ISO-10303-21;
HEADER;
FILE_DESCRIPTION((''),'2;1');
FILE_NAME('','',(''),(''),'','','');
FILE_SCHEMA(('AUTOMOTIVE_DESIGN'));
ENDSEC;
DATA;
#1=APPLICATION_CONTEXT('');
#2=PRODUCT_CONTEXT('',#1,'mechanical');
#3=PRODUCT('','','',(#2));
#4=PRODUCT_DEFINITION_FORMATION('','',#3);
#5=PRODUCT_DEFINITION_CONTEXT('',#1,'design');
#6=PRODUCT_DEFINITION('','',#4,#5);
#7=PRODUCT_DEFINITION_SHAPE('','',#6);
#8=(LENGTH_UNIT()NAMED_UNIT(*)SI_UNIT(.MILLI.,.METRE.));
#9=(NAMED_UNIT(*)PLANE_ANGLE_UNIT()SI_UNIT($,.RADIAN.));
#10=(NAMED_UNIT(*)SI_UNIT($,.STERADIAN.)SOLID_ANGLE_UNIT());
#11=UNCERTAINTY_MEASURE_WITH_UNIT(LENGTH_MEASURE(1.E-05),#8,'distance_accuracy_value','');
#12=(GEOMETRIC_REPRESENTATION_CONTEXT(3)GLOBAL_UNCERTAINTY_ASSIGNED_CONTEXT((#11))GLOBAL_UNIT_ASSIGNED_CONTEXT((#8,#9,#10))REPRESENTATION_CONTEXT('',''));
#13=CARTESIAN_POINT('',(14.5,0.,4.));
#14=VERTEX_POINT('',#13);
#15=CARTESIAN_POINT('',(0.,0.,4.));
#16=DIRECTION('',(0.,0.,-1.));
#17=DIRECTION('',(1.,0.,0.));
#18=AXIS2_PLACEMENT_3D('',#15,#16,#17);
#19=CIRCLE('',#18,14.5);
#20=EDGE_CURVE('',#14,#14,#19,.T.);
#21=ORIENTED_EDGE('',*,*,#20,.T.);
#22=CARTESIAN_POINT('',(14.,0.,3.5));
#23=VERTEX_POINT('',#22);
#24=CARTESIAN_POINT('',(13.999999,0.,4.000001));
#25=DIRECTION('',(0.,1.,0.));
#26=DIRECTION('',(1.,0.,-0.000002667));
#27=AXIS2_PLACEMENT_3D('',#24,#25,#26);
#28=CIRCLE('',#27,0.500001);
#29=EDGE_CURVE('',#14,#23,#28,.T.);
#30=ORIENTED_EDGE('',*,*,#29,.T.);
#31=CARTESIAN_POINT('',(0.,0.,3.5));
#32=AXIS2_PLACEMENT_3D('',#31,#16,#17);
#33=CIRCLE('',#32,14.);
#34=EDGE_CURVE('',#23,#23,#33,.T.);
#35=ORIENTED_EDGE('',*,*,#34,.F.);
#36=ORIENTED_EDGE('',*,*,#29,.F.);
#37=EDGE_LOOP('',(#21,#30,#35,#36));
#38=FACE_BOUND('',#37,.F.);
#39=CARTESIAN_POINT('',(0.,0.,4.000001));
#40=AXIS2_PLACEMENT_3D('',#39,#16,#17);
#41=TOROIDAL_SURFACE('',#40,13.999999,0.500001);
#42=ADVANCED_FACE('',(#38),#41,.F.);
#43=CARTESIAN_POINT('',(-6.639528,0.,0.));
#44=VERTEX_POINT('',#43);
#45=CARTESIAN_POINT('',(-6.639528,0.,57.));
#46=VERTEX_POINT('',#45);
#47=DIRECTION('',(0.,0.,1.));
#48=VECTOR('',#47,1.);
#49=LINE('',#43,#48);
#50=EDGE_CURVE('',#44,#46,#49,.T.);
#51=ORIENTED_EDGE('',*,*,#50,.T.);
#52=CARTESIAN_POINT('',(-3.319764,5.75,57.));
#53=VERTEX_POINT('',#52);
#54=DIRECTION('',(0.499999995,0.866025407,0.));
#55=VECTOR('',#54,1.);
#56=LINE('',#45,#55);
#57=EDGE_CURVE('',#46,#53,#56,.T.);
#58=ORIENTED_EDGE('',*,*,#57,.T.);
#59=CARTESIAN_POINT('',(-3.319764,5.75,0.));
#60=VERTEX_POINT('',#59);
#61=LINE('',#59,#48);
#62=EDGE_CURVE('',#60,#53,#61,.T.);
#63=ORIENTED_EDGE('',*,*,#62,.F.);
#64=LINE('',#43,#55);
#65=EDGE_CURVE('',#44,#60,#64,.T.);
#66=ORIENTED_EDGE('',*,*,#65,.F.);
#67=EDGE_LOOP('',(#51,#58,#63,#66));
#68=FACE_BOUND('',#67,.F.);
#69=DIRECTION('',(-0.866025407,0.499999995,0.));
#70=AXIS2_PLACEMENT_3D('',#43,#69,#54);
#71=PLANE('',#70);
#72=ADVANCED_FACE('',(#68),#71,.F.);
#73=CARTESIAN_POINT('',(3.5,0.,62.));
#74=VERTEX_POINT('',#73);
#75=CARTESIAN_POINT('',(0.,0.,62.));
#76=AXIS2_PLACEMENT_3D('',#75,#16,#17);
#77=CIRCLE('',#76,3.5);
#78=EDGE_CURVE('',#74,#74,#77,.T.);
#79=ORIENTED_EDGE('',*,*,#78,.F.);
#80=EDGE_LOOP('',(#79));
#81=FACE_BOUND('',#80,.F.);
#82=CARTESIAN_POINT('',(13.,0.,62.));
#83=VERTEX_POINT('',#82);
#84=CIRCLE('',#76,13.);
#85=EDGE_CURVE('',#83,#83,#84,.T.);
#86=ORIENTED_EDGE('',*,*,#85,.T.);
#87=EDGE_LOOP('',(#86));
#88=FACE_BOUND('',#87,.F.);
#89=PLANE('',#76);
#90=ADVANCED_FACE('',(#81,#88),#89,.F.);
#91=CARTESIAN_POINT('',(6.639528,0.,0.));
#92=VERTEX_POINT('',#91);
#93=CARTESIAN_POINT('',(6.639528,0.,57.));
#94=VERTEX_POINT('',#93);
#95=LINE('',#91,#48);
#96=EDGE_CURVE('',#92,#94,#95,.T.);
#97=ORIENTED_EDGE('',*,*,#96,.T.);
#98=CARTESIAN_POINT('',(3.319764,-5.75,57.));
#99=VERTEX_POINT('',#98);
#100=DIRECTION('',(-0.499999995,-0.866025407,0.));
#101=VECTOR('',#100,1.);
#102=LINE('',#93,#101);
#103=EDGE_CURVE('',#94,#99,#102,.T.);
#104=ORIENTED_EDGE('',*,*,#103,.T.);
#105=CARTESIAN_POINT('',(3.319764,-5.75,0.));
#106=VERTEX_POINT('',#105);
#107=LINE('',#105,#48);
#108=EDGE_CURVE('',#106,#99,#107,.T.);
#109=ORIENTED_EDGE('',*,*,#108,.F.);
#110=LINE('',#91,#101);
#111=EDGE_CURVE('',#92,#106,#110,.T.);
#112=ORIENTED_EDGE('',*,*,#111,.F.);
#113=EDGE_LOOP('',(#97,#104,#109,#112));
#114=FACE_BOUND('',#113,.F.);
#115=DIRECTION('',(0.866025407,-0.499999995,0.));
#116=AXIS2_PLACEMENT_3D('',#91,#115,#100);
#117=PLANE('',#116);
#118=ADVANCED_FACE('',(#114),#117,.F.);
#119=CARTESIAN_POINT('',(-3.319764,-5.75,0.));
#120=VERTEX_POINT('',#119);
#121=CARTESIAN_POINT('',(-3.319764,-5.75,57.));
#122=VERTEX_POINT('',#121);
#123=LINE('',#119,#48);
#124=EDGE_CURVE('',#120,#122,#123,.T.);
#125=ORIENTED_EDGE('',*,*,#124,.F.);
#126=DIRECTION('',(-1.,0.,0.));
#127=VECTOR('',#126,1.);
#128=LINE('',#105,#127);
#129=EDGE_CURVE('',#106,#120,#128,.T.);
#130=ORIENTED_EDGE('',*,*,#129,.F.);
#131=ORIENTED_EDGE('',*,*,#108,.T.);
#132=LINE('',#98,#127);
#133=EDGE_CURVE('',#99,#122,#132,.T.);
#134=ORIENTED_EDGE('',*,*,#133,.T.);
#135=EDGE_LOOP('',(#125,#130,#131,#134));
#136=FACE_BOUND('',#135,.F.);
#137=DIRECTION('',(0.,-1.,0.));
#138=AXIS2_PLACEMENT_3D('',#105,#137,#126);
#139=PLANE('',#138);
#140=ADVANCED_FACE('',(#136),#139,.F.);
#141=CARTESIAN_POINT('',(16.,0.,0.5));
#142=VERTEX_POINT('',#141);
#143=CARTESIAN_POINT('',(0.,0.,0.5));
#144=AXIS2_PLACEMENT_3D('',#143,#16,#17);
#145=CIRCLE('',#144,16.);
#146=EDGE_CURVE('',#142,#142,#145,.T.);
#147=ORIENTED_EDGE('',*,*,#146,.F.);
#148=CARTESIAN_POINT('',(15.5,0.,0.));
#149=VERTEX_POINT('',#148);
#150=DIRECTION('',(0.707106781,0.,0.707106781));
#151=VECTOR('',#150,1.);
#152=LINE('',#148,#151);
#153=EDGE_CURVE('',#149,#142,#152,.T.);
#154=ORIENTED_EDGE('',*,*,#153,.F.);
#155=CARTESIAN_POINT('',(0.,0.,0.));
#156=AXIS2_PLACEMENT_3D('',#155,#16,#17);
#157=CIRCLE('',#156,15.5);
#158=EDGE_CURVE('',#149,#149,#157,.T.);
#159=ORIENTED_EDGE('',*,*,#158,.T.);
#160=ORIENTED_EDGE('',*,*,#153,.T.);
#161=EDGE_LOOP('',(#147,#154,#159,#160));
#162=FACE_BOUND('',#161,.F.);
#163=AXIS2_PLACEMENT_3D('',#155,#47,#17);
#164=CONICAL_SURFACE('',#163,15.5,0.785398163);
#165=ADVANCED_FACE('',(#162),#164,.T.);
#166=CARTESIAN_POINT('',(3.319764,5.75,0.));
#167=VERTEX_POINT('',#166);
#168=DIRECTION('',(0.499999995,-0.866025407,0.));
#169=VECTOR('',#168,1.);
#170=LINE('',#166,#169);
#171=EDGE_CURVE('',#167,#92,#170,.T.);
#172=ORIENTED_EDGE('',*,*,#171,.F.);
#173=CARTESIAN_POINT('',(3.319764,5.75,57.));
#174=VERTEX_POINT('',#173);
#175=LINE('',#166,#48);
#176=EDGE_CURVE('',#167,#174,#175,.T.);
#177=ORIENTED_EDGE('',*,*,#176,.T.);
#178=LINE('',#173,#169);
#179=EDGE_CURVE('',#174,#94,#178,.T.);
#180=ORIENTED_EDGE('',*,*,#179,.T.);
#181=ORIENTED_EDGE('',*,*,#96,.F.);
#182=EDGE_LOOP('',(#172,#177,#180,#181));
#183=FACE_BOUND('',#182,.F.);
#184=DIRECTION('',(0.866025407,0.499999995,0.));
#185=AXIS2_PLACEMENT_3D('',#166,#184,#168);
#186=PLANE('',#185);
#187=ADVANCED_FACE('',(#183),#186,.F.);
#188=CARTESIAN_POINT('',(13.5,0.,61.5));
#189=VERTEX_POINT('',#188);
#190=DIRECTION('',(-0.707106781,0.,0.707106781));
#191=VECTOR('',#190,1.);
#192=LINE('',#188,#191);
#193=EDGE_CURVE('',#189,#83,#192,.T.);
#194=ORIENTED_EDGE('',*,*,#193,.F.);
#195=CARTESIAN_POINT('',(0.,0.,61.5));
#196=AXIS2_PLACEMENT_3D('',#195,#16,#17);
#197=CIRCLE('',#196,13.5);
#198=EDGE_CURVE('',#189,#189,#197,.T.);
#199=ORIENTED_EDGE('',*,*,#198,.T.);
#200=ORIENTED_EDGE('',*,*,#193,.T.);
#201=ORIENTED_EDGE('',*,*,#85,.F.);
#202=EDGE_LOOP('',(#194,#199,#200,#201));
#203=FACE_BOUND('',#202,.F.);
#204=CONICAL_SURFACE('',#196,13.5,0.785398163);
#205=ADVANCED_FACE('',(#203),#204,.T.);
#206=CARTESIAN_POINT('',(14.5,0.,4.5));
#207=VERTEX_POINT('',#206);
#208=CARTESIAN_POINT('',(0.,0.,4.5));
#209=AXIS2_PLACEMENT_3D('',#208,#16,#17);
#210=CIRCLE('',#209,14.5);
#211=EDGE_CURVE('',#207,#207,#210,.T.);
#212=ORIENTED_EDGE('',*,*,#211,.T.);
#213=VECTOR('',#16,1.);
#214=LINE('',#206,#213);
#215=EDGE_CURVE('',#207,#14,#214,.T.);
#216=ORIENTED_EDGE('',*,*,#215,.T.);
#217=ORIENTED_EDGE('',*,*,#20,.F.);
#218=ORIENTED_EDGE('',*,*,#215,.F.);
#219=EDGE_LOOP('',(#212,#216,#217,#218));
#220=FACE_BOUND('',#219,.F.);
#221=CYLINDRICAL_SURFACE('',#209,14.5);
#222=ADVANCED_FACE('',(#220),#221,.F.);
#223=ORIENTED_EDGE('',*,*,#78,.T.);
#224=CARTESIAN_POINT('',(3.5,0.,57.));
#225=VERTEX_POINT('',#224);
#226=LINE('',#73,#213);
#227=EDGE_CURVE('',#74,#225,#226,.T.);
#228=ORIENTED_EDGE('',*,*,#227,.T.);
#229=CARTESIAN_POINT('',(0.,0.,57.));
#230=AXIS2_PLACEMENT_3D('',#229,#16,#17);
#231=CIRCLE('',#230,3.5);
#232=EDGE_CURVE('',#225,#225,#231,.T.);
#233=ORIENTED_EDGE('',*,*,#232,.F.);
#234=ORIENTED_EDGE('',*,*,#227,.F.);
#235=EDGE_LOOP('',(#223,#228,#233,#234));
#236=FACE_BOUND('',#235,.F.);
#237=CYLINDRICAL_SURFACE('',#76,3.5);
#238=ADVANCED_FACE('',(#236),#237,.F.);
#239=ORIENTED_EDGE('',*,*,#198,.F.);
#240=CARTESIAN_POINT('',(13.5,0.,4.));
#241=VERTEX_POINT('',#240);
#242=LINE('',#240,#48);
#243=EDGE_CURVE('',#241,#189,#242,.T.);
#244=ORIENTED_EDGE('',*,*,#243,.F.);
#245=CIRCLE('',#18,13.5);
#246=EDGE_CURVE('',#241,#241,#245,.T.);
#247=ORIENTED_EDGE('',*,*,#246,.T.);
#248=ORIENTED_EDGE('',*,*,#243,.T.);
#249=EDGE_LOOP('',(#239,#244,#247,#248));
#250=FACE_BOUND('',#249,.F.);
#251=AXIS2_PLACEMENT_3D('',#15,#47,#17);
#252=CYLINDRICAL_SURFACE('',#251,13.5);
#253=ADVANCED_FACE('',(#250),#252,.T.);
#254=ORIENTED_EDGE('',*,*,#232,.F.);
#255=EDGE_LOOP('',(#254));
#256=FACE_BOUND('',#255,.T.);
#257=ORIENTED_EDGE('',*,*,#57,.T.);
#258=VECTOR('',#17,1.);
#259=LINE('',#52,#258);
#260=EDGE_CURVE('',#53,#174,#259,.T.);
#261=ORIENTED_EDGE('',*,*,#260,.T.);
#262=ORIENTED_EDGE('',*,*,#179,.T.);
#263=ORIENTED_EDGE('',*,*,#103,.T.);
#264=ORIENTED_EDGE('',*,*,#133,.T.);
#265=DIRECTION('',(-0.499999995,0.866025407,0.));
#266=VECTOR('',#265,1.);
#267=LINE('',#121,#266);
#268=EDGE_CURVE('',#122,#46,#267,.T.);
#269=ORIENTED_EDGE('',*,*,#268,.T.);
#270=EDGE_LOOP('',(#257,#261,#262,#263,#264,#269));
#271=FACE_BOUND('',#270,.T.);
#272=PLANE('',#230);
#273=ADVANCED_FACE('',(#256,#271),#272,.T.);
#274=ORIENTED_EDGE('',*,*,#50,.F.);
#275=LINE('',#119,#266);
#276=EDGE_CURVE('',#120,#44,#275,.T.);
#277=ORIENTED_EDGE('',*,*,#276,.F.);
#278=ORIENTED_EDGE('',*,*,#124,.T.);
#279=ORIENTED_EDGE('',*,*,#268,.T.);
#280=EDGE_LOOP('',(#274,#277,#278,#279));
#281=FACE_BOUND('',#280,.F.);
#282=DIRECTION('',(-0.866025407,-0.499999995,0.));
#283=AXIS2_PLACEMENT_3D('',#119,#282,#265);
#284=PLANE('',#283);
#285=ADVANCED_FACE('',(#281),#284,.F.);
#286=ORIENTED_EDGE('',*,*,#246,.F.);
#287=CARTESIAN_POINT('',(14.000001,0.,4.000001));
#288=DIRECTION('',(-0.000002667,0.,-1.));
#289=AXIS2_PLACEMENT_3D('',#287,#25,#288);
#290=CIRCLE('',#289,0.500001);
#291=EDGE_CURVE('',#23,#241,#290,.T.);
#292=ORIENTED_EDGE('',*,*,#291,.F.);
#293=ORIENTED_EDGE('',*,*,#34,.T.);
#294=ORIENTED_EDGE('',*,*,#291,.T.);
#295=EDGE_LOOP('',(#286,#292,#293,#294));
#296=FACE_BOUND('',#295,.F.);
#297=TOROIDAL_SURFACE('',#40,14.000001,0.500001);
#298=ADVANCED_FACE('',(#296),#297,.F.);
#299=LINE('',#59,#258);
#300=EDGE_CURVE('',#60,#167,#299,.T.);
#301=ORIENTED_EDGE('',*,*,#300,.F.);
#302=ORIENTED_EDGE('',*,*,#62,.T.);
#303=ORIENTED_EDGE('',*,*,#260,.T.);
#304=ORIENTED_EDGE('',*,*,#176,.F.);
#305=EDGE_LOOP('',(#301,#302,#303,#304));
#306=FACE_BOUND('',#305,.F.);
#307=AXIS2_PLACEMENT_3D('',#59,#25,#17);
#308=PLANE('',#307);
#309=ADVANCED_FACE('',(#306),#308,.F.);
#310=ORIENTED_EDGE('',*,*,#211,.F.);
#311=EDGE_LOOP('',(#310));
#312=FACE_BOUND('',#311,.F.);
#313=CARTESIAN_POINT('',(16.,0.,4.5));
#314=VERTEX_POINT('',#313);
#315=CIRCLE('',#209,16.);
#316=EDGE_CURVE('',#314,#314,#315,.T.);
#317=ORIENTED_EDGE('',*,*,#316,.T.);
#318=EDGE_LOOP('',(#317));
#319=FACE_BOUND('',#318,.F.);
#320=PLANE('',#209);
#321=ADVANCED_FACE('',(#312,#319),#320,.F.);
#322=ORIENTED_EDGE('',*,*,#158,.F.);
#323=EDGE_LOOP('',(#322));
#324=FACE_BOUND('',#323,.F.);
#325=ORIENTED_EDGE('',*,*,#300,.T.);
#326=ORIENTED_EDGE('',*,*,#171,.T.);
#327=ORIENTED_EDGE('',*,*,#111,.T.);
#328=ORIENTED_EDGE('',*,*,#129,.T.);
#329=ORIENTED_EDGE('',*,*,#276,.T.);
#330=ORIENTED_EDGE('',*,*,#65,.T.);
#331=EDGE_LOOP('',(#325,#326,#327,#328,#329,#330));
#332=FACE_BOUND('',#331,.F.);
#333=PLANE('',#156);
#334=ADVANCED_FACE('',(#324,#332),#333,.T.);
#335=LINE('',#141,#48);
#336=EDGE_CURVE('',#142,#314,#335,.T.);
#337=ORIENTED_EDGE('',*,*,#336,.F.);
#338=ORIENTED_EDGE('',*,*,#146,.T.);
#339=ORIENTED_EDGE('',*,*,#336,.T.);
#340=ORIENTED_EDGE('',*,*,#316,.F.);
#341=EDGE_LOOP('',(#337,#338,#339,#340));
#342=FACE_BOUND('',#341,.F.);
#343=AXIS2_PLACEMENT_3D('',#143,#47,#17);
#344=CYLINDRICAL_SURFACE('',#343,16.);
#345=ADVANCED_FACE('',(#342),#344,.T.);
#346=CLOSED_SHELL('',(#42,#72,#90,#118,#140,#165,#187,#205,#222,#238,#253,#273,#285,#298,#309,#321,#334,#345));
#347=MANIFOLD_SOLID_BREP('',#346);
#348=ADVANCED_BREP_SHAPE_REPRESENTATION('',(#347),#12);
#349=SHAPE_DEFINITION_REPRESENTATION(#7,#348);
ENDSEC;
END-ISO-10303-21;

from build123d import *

# Parameters (mm, degrees)
F3_DEPTH = 57


with BuildPart() as f1:
    # F0 (on Front) → F1 (revolve)
    with BuildSketch(Plane.XZ):
        with BuildLine():
            Line((0, 57), (0, 0))
            Line((0, 0), (15.5, 0))
            Line((15.5, 0), (16, 0.5))
            Line((16, 0.5), (16, 4.5))
            Line((16, 4.5), (14.5, 4.5))
            Line((14.5, 4.5), (14.5, 4))
            ThreePointArc((14.5, 4), (14.353553, 3.646447), (14, 3.5))
            ThreePointArc((14, 3.5), (13.646447, 3.646447), (13.5, 4))
            Line((13.5, 4), (13.5, 61.5))
            Line((13.5, 61.5), (13, 62))
            Line((13, 62), (3.5, 62))
            Line((3.5, 62), (3.5, 57))
            Line((3.5, 57), (0, 57))
        make_face()
    revolve(axis=Axis((0, 0, 28.5), (0, 0, -1)))

    # F2 (on face) → F3 (cut)
    with BuildSketch(Plane(origin=(0, 0, 0), x_dir=(1, 0, 0), z_dir=(0, 0, -1))):
        Polygon((3.319764, -5.75), (6.639528, 0), (3.319764, 5.75), (-3.319764, 5.75), (-6.639528, 0), (-3.319764, -5.75), align=None)
    extrude(amount=-F3_DEPTH, mode=Mode.SUBTRACT)


solid = f1.part
